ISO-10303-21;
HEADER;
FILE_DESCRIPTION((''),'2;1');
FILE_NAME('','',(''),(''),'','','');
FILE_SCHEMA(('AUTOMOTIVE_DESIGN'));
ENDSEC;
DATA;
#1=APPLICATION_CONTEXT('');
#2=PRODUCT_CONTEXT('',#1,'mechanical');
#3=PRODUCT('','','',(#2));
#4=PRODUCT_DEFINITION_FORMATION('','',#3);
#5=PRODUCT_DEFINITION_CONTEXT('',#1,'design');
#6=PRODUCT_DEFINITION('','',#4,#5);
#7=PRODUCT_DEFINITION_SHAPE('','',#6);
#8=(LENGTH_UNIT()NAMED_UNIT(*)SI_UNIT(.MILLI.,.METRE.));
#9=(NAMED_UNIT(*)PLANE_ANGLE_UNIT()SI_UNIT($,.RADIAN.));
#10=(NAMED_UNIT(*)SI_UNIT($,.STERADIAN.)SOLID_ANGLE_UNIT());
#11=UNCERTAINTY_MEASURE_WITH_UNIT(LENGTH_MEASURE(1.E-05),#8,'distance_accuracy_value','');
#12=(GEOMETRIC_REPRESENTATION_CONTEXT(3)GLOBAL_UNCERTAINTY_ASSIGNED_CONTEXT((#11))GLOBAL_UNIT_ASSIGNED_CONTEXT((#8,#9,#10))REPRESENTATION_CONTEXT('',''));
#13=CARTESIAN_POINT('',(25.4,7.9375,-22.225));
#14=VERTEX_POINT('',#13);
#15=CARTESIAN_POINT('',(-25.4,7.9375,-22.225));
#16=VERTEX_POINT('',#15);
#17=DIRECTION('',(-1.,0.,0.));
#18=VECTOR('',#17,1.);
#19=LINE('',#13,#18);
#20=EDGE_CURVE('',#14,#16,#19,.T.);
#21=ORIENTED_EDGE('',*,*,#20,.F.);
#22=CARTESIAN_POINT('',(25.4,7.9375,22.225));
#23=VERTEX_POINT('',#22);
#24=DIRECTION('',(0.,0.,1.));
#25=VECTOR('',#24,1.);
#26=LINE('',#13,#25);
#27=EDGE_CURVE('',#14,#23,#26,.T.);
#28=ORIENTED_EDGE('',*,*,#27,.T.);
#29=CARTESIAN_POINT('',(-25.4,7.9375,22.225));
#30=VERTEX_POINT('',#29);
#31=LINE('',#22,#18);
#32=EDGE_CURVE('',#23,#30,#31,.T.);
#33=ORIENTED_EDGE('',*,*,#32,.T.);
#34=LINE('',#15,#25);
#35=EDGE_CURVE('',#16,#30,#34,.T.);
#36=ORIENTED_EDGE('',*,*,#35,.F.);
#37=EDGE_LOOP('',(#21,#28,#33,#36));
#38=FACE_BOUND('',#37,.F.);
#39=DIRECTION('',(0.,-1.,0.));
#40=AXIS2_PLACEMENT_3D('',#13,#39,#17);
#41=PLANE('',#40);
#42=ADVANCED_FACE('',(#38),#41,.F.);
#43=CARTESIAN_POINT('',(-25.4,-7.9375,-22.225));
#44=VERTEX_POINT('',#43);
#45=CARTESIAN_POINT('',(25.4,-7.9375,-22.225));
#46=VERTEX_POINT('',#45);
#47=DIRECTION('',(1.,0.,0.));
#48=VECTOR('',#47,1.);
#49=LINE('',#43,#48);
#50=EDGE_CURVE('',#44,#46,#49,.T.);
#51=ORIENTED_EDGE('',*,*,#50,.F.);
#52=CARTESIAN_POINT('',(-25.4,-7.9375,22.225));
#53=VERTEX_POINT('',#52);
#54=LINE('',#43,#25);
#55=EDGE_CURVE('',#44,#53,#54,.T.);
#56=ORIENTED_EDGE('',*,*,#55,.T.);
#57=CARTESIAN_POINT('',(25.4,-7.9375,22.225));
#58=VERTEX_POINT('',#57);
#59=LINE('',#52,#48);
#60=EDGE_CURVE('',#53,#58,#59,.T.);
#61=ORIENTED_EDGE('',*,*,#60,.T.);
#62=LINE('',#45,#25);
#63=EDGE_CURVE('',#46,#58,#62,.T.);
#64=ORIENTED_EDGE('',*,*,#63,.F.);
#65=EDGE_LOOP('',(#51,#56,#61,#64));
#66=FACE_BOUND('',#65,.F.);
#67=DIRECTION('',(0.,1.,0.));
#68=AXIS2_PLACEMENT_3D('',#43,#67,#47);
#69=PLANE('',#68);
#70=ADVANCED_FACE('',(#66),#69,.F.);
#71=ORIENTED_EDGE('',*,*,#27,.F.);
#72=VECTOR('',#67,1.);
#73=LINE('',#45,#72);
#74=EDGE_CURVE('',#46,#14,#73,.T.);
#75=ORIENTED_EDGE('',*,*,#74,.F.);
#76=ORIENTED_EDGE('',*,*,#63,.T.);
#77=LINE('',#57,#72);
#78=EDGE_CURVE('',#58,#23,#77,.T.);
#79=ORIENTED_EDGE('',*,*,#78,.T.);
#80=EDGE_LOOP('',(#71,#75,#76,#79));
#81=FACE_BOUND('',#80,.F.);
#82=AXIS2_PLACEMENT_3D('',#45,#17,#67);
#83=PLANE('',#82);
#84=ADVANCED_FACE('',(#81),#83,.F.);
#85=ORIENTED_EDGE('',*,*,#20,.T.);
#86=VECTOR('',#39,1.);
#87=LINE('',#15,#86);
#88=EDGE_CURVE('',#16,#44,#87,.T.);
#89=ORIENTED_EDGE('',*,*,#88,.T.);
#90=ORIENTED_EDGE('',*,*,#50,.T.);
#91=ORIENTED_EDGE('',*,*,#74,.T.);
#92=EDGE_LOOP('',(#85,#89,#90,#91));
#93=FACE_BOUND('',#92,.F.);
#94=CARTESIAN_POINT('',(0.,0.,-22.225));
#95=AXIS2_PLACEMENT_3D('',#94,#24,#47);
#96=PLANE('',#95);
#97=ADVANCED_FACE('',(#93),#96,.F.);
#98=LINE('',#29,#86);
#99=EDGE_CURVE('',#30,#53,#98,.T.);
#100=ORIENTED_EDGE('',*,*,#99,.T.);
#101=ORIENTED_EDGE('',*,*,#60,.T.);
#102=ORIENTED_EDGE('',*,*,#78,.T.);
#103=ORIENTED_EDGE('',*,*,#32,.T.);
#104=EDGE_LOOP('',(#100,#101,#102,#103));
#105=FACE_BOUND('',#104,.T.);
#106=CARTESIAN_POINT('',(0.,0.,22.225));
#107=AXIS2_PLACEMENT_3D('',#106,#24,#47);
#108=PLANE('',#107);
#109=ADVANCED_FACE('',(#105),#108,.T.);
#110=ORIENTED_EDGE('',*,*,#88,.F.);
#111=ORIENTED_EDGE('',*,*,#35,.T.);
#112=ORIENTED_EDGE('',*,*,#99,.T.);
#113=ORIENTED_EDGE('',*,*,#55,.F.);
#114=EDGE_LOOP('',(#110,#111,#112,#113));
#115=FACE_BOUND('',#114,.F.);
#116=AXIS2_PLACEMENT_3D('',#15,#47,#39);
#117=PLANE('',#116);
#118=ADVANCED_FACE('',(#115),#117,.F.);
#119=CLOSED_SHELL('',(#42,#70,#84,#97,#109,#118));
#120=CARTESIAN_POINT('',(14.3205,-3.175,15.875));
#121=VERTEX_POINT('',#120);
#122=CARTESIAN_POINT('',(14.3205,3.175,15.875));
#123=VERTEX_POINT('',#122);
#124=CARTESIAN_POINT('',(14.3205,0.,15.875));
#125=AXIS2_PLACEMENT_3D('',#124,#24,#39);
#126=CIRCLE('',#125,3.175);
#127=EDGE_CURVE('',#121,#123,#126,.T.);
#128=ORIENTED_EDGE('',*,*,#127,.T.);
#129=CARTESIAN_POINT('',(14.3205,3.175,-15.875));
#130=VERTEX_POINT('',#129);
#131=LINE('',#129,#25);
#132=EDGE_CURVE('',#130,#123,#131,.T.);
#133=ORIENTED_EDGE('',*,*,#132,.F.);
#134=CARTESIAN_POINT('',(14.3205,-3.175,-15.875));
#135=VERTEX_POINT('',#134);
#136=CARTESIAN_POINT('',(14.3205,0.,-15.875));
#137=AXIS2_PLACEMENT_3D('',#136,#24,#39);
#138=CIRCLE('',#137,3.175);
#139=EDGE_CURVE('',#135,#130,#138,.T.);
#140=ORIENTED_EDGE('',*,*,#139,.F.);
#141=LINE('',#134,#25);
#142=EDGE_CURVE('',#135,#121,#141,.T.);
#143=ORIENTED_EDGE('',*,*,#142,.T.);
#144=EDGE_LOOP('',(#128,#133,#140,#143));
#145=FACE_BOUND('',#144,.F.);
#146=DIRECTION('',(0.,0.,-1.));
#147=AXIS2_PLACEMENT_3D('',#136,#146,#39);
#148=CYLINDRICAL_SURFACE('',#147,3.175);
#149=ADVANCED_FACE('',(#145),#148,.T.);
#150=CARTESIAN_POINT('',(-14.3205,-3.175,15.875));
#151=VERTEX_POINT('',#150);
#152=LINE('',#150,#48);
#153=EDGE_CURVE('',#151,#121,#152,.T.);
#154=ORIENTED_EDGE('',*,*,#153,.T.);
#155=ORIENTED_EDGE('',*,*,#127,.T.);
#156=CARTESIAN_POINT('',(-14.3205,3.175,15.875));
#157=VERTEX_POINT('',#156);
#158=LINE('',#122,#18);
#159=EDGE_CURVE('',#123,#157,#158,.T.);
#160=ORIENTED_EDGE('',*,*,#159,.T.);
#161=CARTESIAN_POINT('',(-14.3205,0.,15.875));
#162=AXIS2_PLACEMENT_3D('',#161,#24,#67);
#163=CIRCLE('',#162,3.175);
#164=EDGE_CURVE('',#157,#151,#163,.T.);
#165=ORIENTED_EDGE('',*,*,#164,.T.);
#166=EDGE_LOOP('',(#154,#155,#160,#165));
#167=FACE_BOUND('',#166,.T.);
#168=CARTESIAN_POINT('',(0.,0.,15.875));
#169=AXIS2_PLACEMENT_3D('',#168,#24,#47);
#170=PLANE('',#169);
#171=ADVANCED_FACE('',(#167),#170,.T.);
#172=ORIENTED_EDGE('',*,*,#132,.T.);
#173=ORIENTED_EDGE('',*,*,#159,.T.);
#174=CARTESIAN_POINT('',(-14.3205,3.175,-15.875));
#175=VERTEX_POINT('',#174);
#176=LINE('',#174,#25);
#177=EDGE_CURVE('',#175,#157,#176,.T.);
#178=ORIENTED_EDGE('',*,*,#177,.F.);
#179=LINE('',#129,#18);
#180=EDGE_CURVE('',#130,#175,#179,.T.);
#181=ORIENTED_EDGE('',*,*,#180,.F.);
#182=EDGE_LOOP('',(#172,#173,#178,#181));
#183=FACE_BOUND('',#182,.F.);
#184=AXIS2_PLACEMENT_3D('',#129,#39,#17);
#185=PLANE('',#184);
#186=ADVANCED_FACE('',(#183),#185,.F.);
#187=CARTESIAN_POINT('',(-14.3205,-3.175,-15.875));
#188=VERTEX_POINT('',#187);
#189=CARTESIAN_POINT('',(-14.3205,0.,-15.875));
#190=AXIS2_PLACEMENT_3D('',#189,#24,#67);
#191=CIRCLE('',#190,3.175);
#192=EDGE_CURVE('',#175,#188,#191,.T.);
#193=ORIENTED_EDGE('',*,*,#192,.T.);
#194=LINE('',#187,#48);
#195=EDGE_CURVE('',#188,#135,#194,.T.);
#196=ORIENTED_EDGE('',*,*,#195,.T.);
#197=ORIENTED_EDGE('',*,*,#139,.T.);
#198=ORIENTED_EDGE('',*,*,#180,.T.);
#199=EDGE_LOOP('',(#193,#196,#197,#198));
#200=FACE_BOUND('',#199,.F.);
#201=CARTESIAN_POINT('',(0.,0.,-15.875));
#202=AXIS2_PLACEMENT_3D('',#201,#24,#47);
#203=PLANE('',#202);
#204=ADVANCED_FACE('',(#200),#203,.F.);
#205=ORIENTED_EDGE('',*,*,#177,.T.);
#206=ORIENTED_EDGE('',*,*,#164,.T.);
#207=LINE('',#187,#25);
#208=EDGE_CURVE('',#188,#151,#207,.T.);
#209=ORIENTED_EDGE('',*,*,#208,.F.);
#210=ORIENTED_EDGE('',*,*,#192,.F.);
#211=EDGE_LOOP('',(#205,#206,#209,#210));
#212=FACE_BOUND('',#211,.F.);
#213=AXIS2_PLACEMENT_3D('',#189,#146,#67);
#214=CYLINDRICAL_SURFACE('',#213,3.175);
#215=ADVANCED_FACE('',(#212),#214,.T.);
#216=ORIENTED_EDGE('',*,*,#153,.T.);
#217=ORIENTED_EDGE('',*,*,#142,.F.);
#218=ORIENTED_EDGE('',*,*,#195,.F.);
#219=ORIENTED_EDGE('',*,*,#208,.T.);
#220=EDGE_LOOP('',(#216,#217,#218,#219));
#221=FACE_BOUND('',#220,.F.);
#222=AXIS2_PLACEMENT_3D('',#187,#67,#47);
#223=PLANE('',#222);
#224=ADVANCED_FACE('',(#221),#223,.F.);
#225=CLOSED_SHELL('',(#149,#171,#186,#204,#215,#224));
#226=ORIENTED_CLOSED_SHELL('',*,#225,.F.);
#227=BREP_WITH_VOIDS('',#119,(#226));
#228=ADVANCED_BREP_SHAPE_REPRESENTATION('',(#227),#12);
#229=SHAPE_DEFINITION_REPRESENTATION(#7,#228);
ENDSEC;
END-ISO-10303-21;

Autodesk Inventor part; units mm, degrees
ref_plane "YZ Plane" through (0, 0, 0) normal (1, 0, 0) x (0, 1, 0)
ref_plane "XZ Plane" through (0, 0, 0) normal (0, 1, 0) x (-1, 0, 0)
ref_plane "XY Plane" through (0, 0, 0) normal (0, 0, 1) x (1, 0, 0)
sketch "Sketch1" plane through (0, 0, -15.875) normal (0, 0, 1) x (1, 0, 0)
  line L0 (-14.3205, -3.175) -> (14.3205, -3.175)
  arc A0 (14.3205, -3.175) -> (14.3205, 3.175) centre (14.3205, 0) ccw
  line L1 (14.3205, 3.175) -> (-14.3205, 3.175)
  arc A1 (-14.3205, 3.175) -> (-14.3205, -3.175) centre (-14.3205, 0) ccw
  line L2 (-14.3205, -3.175) -> (-14.3205, -3.175)
sketch "Sketch2" plane through (0, 0, -22.225) normal (0, 0, 1) x (1, 0, 0)
  line L0 (-25.4, -7.9375) -> (25.4, -7.9375)
  line L1 (25.4, -7.9375) -> (25.4, 7.9375)
  line L2 (25.4, 7.9375) -> (-25.4, 7.9375)
  line L3 (-25.4, 7.9375) -> (-25.4, -7.9375)
  line L4 (-25.4, -7.9375) -> (25.4, 7.9375) construction
  line L5 (25.4, -7.9375) -> (-25.4, 7.9375) construction
  point P0 (0, 0)
extrude "Extrusion1" add sketch "Sketch2" along normal blind 44.45
extrude "Extrusion2" cut sketch "Sketch1" along normal blind 31.75
properties part number "00001_Single_Mode_Rect"
